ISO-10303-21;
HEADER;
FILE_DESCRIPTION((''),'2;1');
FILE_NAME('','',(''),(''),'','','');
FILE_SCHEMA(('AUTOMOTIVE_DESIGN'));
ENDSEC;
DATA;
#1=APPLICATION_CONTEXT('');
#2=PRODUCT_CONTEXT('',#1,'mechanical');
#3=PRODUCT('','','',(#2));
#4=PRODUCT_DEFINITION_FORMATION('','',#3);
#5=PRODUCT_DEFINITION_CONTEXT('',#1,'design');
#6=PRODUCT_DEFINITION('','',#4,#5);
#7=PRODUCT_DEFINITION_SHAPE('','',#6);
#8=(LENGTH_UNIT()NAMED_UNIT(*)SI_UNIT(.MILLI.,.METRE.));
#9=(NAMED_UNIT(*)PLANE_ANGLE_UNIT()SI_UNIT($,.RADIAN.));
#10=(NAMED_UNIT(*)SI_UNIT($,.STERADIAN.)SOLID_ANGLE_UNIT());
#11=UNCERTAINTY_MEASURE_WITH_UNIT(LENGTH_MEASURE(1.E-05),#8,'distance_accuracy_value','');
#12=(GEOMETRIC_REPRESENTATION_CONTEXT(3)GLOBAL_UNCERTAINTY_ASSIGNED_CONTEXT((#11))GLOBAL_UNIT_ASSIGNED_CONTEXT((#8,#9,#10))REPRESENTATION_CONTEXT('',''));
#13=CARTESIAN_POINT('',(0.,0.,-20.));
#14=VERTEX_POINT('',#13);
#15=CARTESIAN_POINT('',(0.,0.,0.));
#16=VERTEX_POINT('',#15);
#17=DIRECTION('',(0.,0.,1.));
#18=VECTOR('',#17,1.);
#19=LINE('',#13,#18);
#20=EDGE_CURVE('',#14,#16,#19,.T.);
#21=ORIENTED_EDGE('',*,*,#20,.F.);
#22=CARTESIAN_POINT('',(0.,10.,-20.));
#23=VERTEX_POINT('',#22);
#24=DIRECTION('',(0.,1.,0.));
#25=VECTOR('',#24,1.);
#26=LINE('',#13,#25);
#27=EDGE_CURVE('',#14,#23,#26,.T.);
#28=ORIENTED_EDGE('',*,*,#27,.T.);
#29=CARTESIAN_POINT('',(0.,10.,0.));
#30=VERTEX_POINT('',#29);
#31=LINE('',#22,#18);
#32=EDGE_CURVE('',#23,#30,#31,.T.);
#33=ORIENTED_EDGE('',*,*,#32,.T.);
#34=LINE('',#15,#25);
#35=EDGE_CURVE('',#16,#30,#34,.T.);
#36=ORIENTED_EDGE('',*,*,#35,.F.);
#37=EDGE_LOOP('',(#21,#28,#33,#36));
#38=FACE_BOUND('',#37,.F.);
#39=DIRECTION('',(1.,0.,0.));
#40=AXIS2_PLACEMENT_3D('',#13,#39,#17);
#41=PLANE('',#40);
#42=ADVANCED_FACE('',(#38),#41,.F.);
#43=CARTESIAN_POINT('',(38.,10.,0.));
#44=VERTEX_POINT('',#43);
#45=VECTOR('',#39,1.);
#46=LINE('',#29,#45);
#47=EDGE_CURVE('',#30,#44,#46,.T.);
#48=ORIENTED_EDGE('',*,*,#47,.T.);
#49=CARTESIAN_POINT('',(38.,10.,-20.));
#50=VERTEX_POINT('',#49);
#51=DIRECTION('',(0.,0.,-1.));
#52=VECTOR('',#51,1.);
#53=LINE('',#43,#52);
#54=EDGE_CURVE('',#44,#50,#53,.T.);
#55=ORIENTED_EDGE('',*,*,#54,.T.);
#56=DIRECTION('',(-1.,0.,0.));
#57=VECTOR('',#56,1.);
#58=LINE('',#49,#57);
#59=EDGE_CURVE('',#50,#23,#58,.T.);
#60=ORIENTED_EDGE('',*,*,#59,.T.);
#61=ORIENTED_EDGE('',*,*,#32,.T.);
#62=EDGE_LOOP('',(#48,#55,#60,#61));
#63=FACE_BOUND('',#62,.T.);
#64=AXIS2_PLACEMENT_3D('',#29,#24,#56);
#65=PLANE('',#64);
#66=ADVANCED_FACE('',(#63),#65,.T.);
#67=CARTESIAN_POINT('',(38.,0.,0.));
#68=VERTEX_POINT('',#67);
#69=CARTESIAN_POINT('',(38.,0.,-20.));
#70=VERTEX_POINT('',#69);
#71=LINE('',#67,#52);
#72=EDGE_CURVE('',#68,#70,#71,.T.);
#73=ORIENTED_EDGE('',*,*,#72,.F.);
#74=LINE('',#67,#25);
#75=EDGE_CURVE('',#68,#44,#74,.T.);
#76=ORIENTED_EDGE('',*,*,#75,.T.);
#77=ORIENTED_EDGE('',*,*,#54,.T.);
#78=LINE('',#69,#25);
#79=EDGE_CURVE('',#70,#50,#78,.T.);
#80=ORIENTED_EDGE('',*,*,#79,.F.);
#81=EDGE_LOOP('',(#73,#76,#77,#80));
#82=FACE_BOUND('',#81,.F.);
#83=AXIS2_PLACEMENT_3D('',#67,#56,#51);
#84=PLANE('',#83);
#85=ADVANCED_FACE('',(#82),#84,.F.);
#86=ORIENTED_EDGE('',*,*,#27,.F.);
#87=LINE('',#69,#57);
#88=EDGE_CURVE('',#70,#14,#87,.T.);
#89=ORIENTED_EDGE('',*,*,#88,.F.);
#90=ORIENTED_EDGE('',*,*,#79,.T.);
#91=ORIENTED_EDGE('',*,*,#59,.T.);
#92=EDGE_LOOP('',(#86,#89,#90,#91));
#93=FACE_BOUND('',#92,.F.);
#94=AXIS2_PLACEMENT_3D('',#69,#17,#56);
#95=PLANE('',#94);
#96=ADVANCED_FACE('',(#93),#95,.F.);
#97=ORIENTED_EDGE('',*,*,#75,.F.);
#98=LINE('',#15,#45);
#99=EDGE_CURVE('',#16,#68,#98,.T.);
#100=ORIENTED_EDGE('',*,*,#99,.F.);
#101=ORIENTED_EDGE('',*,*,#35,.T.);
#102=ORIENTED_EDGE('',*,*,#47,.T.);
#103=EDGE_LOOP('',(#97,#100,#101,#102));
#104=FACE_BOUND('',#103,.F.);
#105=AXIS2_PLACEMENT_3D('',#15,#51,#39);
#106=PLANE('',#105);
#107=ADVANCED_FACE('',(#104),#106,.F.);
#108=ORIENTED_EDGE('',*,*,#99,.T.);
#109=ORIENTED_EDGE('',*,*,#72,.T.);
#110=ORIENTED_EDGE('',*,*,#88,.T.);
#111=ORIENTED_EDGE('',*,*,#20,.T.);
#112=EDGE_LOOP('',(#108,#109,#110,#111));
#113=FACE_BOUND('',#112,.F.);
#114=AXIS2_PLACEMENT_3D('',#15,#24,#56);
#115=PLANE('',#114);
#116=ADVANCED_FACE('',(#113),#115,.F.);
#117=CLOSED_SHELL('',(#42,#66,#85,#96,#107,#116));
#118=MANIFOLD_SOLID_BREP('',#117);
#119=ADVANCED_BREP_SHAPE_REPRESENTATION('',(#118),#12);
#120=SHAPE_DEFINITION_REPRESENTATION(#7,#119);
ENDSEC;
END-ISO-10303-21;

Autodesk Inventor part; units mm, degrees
ref_plane "YZ Plane" through (0, 0, 0) normal (1, 0, 0) x (0, 1, 0)
ref_plane "XZ Plane" through (0, 0, 0) normal (0, 1, 0) x (-1, 0, 0)
ref_plane "XY Plane" through (0, 0, 0) normal (0, 0, 1) x (1, 0, 0)
sketch "Sketch1" plane through (0, 0, 0) normal (0, 1, 0) x (-1, 0, 0)
  line L0 (0, 0) -> (-38, 0)
  line L1 (-38, 0) -> (-38, -20)
  line L2 (-38, -20) -> (0, -20)
  line L3 (0, -20) -> (0, 0)
  dimension "d0" = 38
  dimension "d1" = 20
extrude "Extrusion1" add sketch "Sketch1" along normal blind 10
properties part number "palm"
